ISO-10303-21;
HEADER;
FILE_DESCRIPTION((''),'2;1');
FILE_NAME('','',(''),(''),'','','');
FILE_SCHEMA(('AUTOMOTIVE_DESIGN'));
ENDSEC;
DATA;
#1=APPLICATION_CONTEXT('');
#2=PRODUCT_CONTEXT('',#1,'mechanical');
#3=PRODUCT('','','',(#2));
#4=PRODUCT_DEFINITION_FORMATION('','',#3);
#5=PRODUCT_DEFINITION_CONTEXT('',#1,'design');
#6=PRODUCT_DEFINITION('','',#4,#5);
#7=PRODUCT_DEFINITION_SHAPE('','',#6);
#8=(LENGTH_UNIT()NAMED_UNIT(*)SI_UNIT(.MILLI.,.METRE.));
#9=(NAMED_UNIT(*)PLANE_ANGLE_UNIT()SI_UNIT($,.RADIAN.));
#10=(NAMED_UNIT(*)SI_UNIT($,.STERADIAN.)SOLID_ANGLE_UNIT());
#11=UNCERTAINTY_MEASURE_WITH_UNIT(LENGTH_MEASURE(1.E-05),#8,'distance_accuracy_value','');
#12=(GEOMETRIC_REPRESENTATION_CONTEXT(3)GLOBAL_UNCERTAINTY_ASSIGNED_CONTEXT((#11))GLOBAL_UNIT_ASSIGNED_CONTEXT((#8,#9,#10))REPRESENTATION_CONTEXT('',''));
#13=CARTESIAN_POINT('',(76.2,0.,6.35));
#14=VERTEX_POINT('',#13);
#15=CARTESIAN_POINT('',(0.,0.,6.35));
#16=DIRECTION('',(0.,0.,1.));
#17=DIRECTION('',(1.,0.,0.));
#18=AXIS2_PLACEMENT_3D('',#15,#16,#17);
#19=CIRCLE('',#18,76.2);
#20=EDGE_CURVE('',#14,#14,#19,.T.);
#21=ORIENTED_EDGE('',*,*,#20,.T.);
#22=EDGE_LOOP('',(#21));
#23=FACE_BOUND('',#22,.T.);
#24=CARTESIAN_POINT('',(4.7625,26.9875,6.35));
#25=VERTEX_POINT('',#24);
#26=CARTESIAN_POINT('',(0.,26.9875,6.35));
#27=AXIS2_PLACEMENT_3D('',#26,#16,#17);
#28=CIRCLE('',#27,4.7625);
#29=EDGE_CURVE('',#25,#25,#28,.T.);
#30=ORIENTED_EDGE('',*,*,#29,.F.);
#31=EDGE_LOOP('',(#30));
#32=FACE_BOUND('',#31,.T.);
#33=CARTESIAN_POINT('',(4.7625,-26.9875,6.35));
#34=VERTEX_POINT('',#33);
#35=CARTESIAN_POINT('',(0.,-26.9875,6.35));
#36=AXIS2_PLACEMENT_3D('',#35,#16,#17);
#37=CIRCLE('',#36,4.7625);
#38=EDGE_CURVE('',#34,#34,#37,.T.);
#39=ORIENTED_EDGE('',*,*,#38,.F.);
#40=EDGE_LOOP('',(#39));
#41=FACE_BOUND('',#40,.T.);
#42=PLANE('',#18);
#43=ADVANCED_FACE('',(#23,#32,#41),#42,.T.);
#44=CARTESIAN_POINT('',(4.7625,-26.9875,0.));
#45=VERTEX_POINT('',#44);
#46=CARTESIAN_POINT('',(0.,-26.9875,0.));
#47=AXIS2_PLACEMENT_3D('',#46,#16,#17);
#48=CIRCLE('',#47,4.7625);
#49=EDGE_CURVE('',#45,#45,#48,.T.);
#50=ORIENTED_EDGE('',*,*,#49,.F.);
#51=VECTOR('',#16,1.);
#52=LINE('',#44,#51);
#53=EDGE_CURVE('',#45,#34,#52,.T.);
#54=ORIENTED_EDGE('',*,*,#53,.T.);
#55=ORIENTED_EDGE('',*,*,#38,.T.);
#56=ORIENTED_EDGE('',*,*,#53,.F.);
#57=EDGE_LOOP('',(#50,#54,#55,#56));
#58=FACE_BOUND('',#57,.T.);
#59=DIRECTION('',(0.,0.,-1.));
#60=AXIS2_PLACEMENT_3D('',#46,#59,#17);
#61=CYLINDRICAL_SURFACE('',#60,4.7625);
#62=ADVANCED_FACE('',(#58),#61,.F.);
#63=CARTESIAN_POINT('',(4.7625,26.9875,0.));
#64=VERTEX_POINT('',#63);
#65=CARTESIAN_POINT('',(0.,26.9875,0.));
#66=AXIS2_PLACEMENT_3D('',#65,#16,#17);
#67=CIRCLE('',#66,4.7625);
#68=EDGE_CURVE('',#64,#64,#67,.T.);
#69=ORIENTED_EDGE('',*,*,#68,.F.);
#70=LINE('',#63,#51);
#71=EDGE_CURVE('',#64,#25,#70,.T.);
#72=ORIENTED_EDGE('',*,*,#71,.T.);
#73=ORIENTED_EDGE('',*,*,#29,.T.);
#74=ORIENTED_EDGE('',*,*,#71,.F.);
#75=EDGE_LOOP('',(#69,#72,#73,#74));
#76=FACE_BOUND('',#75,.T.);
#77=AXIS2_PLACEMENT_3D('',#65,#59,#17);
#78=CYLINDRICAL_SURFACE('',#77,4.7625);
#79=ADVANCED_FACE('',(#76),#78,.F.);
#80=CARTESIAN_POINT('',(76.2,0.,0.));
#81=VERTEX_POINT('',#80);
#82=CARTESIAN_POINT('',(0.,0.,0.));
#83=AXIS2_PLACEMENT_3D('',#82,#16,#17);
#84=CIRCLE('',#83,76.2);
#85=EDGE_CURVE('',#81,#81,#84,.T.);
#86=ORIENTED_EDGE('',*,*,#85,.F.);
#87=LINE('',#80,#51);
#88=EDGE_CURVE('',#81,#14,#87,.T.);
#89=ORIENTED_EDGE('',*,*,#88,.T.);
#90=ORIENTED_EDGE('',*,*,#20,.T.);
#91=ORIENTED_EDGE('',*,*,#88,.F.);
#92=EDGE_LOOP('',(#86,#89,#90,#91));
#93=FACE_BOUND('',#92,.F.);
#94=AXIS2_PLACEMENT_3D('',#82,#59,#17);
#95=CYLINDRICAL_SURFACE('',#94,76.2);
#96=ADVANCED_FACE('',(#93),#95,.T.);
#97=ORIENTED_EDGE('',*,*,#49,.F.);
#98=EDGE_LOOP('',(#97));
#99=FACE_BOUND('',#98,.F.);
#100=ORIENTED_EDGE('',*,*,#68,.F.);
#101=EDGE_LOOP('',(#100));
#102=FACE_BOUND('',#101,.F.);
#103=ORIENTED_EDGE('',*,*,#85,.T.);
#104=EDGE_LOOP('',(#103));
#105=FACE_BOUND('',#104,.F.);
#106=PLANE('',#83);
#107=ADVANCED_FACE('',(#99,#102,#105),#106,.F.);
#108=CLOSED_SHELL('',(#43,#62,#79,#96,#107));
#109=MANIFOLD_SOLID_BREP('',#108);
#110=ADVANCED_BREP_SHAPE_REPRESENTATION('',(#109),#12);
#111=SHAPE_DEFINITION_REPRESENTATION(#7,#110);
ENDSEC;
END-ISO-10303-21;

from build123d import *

# Parameters (mm, degrees)
SKETCH1_R           = 76.2
SKETCH1_R_2         = 4.7625
BOSS_EXTRUDE1_DEPTH = 6.35


with BuildPart() as part:
    # Sketch1 → Boss-Extrude1 (new body)
    with BuildSketch(Plane.XY):
        Circle(SKETCH1_R)
        with Locations((0, 26.9875)):
            Circle(SKETCH1_R_2, mode=Mode.SUBTRACT)
        with Locations((0, -26.9875)):
            Circle(SKETCH1_R_2, mode=Mode.SUBTRACT)
    extrude(amount=BOSS_EXTRUDE1_DEPTH)


solid = part.part
